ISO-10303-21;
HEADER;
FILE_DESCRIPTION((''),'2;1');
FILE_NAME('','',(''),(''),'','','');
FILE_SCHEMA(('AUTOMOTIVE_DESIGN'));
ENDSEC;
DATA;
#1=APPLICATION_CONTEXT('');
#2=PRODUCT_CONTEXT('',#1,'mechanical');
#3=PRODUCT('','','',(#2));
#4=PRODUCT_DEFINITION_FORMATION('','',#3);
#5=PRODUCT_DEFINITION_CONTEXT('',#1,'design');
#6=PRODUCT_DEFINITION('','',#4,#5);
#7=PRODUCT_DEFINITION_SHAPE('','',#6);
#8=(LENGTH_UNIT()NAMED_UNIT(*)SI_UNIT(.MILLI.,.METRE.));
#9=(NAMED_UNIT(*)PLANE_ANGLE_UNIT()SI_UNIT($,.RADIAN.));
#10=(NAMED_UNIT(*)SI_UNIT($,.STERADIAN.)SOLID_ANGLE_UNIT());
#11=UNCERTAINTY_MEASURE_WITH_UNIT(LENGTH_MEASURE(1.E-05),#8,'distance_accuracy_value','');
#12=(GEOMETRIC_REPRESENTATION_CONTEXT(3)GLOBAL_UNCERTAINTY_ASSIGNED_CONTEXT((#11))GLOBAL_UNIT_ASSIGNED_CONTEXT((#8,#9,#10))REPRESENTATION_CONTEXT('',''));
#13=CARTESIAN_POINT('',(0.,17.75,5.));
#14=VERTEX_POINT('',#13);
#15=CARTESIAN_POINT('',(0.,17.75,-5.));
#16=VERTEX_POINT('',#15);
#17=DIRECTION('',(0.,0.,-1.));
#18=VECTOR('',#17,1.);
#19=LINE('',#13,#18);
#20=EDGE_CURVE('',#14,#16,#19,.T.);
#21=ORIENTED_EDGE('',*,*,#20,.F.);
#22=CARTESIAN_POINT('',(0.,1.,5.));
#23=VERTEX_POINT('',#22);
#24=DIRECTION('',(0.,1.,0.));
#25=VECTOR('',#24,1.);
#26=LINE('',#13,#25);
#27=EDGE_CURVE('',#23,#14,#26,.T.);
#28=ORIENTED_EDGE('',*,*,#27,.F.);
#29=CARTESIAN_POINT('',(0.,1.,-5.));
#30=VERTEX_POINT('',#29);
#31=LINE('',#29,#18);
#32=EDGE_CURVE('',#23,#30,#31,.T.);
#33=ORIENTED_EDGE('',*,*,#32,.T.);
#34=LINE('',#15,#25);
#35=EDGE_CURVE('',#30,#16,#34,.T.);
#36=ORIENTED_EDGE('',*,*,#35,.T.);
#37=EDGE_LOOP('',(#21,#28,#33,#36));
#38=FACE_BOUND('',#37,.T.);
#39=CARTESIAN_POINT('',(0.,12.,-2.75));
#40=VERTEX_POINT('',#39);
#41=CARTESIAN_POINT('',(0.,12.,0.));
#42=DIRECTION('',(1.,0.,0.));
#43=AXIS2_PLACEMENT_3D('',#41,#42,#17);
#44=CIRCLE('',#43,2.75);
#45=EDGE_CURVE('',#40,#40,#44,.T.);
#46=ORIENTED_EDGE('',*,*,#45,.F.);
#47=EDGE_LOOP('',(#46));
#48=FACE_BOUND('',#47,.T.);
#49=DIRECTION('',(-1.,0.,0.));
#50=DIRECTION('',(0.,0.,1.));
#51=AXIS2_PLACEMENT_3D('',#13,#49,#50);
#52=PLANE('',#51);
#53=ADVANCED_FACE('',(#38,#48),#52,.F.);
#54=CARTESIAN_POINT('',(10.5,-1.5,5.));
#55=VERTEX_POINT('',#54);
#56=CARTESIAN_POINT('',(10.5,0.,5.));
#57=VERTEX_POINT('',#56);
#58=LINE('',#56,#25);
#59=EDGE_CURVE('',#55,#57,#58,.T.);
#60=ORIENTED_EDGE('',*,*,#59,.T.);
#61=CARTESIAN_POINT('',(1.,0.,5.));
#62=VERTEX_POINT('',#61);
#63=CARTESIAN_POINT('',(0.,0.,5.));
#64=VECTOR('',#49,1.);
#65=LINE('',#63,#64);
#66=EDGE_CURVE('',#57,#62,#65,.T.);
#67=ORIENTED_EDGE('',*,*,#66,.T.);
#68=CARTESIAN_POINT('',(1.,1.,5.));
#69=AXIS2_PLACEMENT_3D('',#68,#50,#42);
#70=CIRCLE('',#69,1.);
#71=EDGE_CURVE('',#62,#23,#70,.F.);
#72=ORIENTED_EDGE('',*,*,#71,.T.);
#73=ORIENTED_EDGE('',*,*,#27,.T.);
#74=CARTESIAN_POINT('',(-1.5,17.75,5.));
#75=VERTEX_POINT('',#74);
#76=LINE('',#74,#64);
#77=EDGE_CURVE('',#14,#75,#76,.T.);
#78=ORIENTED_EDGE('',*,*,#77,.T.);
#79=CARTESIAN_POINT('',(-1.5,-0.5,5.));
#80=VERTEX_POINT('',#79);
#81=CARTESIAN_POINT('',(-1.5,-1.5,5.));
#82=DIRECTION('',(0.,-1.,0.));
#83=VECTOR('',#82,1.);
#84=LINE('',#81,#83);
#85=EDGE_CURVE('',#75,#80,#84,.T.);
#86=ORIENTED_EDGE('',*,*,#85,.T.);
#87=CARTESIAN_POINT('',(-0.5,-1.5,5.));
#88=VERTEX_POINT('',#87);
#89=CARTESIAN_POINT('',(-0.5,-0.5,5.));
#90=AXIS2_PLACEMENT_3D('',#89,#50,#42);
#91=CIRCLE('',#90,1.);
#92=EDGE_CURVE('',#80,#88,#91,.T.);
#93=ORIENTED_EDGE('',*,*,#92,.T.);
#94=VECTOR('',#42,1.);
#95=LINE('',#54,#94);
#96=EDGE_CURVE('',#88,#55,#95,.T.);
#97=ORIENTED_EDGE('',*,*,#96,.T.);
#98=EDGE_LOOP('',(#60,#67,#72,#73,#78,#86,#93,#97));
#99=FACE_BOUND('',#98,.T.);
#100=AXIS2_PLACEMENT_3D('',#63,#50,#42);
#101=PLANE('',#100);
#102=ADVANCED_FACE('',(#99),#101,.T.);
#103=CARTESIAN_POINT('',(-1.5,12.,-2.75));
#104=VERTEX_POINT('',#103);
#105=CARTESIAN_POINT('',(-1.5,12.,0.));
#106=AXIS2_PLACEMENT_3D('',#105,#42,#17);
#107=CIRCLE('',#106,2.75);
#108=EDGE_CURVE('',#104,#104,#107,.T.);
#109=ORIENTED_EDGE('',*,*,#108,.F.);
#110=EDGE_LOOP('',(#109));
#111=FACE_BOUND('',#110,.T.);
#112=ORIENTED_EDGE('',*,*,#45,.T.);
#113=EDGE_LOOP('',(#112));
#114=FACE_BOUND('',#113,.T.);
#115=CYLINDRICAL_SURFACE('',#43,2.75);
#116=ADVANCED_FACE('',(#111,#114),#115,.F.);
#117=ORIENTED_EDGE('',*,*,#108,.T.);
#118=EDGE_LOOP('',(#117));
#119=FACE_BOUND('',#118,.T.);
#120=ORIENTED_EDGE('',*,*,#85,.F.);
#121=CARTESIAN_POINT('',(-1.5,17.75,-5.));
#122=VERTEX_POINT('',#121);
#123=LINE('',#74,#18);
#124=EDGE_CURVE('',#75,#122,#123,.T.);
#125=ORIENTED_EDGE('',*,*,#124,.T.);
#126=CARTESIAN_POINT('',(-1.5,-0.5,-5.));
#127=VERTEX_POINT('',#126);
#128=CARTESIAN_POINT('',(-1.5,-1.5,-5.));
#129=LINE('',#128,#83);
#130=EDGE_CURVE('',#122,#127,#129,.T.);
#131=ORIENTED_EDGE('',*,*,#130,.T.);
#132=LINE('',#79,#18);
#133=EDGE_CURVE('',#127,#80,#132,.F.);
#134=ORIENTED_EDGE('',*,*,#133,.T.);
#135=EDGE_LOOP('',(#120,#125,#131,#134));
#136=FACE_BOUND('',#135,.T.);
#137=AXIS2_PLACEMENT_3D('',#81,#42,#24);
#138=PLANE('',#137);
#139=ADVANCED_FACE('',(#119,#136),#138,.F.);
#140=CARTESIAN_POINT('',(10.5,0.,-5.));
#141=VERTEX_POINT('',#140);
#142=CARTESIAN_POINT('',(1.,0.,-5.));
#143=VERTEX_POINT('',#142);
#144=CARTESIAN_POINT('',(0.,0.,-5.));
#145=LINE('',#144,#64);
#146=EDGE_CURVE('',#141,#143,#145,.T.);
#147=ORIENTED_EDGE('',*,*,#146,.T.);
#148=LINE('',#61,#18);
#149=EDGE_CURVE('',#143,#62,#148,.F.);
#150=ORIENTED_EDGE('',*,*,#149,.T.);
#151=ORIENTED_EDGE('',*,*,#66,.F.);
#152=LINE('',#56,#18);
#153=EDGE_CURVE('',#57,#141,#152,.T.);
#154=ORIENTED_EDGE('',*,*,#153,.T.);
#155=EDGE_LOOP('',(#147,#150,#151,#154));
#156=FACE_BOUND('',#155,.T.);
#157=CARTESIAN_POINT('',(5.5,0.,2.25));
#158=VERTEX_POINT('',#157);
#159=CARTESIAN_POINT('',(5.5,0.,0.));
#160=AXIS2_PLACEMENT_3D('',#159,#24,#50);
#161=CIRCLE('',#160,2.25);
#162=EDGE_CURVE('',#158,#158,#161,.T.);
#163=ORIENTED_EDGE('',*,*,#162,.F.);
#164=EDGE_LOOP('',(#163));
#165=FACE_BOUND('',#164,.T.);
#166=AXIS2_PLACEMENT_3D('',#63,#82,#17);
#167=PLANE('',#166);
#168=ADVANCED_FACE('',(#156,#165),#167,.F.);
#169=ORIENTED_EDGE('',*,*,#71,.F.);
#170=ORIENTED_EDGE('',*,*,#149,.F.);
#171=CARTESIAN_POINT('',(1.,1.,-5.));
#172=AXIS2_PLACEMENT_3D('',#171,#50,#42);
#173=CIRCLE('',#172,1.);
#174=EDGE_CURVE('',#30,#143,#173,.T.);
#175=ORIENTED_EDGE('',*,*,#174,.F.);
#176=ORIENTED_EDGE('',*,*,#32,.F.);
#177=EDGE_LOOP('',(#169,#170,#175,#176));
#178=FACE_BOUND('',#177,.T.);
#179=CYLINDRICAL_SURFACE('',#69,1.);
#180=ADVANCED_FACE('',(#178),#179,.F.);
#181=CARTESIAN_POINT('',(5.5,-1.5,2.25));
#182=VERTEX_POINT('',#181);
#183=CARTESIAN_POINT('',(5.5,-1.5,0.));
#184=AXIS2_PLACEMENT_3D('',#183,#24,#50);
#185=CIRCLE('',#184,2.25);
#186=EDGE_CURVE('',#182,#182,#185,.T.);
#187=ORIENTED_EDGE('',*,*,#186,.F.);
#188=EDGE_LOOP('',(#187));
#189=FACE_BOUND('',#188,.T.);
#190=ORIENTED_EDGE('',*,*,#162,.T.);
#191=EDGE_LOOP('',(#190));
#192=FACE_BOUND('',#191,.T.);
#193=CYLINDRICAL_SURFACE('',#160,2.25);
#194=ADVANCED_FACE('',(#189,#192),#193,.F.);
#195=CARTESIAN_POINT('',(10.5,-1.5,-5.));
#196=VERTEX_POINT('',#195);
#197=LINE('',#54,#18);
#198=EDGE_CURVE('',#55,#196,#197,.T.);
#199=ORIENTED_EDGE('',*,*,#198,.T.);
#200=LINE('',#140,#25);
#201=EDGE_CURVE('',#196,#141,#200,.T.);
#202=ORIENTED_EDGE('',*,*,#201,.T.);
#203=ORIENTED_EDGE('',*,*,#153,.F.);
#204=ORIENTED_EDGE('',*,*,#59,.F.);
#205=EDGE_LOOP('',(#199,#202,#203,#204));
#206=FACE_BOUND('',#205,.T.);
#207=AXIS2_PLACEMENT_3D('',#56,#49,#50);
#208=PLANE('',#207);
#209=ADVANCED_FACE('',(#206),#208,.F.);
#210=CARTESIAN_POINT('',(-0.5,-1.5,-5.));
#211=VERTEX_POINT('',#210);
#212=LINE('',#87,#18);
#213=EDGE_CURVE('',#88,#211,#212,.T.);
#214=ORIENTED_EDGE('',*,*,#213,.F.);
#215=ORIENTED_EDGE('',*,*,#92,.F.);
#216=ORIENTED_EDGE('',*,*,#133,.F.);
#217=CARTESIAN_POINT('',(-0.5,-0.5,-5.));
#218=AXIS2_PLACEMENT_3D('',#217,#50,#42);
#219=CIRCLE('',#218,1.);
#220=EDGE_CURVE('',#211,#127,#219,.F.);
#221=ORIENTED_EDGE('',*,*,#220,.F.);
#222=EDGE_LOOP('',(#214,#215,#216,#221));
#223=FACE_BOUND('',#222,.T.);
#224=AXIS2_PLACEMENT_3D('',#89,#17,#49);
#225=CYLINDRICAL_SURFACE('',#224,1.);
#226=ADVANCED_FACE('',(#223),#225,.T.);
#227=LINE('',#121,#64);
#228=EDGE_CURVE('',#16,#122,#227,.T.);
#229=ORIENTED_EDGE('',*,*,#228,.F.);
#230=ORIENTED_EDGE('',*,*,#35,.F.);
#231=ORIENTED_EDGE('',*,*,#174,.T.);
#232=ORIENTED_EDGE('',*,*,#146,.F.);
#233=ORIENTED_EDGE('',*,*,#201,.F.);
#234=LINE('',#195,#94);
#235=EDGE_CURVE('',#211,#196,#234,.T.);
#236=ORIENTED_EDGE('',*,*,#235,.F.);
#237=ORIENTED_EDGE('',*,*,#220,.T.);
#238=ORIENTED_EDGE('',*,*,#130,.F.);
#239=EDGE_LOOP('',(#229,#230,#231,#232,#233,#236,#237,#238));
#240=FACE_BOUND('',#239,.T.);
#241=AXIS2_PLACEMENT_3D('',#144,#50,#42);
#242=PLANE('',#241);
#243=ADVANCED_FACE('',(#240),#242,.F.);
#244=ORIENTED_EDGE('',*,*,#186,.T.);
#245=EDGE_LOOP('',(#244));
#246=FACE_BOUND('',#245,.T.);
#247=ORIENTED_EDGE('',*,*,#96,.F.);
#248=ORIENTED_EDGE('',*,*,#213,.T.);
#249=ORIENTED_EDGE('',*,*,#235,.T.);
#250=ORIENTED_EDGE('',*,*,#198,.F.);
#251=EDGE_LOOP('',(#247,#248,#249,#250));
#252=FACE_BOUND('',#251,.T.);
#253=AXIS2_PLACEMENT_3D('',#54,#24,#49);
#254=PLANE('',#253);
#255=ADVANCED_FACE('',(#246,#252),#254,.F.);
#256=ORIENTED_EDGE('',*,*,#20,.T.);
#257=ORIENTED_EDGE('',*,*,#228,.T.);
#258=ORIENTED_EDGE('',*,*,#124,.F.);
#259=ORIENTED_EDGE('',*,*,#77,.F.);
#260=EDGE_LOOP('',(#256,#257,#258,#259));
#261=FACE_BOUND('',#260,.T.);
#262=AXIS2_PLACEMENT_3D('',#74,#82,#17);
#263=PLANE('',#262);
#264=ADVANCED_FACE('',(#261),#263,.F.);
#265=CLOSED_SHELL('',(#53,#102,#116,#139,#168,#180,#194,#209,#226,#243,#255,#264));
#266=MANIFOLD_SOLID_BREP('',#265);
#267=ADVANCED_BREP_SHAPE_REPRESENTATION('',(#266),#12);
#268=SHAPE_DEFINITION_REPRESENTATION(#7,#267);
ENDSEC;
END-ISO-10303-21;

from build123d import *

# Parameters (mm, degrees)
BOSS_EXTRU_1_DEPTH              = 5
CONG_1_R                        = 1
DIAM_TRE_DU_PER_AGE_5_5_5_5_1_D = 5.5
D_GAGEMENT_M41_D                = 4.5


with BuildPart() as part:
    # Esquisse1 → Boss.-Extru.1 (new, symmetric)
    with BuildSketch(Plane.XY):
        Polygon((0, 0), (10.5, 0), (10.5, -1.5), (-1.5, -1.5), (-1.5, 17.75), (0, 17.75), align=None)
    extrude(amount=BOSS_EXTRU_1_DEPTH, both=True)

    # Congé1
    cong_1_edges = [part.edges().sort_by_distance(p)[0] for p in [
        (0, 0, 0),
        (-1.5, -1.5, 0),
    ]]
    fillet(cong_1_edges, radius=CONG_1_R)

    # Diamètre du perçage Ø5.5 (5.5)1 (through all)
    with Locations(Plane(origin=(0, 0, 0), x_dir=(0, 0, -1), z_dir=(1, 0, 0))):
        with Locations((0, 12)):
            Hole(DIAM_TRE_DU_PER_AGE_5_5_5_5_1_D / 2)

    # Dégagement M41 (through all)
    with Locations(Plane(origin=(0, 0, 0), x_dir=(1, 0, 0), z_dir=(0, 1, 0))):
        with Locations((5.5, 0)):
            Hole(D_GAGEMENT_M41_D / 2)


solid = part.part
